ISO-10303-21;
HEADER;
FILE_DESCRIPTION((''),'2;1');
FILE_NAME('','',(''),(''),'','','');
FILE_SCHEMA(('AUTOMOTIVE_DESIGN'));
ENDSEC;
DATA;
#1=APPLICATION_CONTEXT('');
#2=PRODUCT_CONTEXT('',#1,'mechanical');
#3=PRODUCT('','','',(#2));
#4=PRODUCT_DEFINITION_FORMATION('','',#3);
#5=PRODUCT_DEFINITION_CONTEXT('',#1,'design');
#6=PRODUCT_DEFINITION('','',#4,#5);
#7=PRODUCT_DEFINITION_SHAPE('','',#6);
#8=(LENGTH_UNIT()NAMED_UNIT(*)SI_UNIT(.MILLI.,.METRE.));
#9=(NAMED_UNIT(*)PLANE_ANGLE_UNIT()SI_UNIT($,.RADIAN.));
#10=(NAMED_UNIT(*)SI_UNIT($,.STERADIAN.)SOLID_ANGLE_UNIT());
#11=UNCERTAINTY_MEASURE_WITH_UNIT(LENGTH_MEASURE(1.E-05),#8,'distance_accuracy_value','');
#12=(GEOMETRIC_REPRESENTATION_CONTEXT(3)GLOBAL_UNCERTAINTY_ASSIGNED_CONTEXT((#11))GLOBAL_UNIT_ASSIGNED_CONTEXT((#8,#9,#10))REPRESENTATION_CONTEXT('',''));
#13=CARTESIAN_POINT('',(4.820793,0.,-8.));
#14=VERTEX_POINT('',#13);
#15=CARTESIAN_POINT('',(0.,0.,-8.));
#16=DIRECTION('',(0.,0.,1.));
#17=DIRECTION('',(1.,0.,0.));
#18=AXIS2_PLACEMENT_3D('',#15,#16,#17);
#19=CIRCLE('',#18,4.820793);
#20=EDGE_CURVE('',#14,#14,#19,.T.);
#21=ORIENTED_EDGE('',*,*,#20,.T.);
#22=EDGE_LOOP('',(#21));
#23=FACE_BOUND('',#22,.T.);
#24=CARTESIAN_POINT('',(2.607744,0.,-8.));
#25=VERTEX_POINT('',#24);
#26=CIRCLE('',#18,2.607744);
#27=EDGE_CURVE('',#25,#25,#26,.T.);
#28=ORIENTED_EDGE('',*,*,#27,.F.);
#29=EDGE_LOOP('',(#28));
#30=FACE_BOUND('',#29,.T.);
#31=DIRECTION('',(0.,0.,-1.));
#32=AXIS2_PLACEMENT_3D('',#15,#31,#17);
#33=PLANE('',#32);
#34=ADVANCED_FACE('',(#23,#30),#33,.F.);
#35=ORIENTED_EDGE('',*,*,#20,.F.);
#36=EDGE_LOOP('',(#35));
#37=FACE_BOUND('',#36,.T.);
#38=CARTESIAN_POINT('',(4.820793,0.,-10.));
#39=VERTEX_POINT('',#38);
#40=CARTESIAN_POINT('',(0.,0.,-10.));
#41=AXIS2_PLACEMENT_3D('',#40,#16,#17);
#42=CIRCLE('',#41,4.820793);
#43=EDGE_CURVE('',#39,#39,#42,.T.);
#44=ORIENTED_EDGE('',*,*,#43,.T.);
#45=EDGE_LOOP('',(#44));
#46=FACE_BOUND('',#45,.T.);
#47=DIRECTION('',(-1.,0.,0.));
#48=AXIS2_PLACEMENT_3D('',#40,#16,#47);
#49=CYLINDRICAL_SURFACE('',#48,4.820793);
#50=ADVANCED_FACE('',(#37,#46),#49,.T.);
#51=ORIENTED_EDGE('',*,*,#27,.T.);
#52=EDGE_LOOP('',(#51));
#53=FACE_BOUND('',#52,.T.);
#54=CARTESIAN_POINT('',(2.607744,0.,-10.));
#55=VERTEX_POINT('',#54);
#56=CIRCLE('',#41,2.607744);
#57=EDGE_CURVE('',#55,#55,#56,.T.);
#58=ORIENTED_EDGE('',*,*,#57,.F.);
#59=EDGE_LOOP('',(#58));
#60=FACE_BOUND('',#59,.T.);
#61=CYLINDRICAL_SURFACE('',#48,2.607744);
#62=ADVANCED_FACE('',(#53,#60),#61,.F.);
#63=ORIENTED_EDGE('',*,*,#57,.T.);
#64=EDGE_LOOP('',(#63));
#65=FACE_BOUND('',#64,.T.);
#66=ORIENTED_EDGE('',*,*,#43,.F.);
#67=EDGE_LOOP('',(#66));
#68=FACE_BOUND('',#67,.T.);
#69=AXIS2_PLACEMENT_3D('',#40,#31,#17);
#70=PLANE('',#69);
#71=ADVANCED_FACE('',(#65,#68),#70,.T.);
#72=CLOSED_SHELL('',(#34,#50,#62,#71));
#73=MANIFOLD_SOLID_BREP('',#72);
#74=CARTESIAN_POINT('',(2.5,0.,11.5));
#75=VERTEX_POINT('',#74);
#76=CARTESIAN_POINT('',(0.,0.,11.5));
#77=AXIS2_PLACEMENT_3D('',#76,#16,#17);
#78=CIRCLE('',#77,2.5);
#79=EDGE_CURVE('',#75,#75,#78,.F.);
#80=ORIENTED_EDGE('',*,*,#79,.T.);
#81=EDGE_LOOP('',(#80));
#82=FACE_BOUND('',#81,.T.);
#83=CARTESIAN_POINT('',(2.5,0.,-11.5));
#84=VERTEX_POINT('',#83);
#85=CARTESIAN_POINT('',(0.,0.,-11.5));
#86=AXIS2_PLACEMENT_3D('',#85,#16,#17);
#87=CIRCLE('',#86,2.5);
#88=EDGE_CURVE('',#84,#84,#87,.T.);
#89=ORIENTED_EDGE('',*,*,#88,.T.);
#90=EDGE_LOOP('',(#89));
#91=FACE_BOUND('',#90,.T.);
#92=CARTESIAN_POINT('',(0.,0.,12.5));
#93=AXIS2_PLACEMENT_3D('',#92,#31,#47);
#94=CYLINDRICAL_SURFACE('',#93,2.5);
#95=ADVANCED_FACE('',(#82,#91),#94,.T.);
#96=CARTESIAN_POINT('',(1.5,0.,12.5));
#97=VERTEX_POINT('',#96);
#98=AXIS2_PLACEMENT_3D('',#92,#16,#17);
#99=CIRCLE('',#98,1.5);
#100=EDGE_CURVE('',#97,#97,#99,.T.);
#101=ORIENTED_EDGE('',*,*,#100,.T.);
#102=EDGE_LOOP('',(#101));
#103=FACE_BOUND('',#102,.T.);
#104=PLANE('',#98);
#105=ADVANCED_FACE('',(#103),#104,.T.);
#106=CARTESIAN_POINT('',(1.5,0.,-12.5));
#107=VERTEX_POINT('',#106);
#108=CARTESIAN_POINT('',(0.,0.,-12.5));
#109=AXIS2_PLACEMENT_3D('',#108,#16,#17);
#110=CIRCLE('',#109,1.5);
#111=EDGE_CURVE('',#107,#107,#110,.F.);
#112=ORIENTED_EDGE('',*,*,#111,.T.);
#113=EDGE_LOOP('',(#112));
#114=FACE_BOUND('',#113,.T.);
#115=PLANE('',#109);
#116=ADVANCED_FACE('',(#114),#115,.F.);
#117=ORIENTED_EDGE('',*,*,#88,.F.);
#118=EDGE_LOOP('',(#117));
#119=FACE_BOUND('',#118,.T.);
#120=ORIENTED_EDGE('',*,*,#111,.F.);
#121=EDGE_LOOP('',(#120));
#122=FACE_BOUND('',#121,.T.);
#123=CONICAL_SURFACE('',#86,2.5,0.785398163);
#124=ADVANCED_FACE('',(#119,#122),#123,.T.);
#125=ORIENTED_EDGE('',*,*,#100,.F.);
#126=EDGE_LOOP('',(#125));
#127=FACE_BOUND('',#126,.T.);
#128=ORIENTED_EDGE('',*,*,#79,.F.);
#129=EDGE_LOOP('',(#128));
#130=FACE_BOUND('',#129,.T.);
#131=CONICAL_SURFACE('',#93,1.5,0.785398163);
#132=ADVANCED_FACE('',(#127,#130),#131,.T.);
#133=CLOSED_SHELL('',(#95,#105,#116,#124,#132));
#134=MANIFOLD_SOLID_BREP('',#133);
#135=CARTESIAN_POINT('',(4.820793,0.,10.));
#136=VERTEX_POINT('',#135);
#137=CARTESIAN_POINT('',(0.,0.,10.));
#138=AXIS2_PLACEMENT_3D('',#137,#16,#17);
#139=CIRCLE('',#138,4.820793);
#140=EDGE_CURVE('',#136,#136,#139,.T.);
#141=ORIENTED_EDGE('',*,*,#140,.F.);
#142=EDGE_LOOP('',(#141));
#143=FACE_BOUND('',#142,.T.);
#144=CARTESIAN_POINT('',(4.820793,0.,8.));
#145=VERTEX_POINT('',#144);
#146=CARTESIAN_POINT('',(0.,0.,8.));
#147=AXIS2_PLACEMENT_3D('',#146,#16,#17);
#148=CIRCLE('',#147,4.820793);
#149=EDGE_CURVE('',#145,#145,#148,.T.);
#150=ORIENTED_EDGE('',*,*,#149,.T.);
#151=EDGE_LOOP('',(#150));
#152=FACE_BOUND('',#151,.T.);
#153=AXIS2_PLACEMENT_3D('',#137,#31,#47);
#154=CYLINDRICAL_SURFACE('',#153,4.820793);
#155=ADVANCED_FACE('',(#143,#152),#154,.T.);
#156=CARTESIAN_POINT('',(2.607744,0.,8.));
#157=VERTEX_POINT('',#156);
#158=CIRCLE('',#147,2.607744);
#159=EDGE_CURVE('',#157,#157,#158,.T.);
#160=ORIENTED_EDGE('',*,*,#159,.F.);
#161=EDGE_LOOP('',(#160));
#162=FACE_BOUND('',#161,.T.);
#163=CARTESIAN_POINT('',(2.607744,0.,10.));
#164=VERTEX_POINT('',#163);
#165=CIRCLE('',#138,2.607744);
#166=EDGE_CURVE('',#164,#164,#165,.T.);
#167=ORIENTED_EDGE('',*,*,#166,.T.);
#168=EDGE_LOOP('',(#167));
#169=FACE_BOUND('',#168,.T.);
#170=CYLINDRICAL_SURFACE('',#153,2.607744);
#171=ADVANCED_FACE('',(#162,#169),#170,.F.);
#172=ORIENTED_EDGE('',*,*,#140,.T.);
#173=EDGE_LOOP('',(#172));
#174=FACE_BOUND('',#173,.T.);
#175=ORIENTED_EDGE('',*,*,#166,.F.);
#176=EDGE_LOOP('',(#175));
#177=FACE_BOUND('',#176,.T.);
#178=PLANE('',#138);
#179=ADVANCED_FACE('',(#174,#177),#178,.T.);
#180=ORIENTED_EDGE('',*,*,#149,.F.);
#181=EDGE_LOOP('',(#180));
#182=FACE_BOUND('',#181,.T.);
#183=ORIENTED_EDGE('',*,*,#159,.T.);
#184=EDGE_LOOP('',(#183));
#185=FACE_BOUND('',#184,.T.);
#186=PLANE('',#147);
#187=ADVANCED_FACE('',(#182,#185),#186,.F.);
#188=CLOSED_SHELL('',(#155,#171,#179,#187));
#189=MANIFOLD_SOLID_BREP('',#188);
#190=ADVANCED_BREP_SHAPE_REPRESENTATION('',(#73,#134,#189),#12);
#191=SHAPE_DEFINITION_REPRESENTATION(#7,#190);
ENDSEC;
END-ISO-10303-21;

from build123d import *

# Parameters (mm, degrees)
SKETCH1_R           = 2.5
BOSS_EXTRUDE1_DEPTH = 12.5
CHAMFER1_SIZE       = 1
SKETCH2_R           = 4.820793463
SKETCH2_R_2         = 2.607744367
BOSS_EXTRUDE2_DEPTH = 2


with BuildPart() as part:
    # Sketch1 → Boss-Extrude1 (new, symmetric)
    with BuildSketch(Plane.XY):
        Circle(SKETCH1_R)
    extrude(amount=BOSS_EXTRUDE1_DEPTH, both=True)

    # Chamfer1
    chamfer1_edges = [part.edges().sort_by_distance(p)[0] for p in [
        (-2.5, 0, -12.5),
        (-2.5, 0, 12.5),
    ]]
    chamfer(chamfer1_edges, length=CHAMFER1_SIZE)


with BuildPart() as body_2:
    # Sketch2 → Boss-Extrude2 (new body)
    with BuildSketch(Plane.XY.offset(8)):
        Circle(SKETCH2_R)
        Circle(SKETCH2_R_2, mode=Mode.SUBTRACT)
    extrude(amount=BOSS_EXTRUDE2_DEPTH)


with BuildPart() as body_3:
    # Mirror2: mirrored copy
    add(body_2.part.mirror(Plane.XY))


solid = Compound([part.part, body_2.part, body_3.part])
